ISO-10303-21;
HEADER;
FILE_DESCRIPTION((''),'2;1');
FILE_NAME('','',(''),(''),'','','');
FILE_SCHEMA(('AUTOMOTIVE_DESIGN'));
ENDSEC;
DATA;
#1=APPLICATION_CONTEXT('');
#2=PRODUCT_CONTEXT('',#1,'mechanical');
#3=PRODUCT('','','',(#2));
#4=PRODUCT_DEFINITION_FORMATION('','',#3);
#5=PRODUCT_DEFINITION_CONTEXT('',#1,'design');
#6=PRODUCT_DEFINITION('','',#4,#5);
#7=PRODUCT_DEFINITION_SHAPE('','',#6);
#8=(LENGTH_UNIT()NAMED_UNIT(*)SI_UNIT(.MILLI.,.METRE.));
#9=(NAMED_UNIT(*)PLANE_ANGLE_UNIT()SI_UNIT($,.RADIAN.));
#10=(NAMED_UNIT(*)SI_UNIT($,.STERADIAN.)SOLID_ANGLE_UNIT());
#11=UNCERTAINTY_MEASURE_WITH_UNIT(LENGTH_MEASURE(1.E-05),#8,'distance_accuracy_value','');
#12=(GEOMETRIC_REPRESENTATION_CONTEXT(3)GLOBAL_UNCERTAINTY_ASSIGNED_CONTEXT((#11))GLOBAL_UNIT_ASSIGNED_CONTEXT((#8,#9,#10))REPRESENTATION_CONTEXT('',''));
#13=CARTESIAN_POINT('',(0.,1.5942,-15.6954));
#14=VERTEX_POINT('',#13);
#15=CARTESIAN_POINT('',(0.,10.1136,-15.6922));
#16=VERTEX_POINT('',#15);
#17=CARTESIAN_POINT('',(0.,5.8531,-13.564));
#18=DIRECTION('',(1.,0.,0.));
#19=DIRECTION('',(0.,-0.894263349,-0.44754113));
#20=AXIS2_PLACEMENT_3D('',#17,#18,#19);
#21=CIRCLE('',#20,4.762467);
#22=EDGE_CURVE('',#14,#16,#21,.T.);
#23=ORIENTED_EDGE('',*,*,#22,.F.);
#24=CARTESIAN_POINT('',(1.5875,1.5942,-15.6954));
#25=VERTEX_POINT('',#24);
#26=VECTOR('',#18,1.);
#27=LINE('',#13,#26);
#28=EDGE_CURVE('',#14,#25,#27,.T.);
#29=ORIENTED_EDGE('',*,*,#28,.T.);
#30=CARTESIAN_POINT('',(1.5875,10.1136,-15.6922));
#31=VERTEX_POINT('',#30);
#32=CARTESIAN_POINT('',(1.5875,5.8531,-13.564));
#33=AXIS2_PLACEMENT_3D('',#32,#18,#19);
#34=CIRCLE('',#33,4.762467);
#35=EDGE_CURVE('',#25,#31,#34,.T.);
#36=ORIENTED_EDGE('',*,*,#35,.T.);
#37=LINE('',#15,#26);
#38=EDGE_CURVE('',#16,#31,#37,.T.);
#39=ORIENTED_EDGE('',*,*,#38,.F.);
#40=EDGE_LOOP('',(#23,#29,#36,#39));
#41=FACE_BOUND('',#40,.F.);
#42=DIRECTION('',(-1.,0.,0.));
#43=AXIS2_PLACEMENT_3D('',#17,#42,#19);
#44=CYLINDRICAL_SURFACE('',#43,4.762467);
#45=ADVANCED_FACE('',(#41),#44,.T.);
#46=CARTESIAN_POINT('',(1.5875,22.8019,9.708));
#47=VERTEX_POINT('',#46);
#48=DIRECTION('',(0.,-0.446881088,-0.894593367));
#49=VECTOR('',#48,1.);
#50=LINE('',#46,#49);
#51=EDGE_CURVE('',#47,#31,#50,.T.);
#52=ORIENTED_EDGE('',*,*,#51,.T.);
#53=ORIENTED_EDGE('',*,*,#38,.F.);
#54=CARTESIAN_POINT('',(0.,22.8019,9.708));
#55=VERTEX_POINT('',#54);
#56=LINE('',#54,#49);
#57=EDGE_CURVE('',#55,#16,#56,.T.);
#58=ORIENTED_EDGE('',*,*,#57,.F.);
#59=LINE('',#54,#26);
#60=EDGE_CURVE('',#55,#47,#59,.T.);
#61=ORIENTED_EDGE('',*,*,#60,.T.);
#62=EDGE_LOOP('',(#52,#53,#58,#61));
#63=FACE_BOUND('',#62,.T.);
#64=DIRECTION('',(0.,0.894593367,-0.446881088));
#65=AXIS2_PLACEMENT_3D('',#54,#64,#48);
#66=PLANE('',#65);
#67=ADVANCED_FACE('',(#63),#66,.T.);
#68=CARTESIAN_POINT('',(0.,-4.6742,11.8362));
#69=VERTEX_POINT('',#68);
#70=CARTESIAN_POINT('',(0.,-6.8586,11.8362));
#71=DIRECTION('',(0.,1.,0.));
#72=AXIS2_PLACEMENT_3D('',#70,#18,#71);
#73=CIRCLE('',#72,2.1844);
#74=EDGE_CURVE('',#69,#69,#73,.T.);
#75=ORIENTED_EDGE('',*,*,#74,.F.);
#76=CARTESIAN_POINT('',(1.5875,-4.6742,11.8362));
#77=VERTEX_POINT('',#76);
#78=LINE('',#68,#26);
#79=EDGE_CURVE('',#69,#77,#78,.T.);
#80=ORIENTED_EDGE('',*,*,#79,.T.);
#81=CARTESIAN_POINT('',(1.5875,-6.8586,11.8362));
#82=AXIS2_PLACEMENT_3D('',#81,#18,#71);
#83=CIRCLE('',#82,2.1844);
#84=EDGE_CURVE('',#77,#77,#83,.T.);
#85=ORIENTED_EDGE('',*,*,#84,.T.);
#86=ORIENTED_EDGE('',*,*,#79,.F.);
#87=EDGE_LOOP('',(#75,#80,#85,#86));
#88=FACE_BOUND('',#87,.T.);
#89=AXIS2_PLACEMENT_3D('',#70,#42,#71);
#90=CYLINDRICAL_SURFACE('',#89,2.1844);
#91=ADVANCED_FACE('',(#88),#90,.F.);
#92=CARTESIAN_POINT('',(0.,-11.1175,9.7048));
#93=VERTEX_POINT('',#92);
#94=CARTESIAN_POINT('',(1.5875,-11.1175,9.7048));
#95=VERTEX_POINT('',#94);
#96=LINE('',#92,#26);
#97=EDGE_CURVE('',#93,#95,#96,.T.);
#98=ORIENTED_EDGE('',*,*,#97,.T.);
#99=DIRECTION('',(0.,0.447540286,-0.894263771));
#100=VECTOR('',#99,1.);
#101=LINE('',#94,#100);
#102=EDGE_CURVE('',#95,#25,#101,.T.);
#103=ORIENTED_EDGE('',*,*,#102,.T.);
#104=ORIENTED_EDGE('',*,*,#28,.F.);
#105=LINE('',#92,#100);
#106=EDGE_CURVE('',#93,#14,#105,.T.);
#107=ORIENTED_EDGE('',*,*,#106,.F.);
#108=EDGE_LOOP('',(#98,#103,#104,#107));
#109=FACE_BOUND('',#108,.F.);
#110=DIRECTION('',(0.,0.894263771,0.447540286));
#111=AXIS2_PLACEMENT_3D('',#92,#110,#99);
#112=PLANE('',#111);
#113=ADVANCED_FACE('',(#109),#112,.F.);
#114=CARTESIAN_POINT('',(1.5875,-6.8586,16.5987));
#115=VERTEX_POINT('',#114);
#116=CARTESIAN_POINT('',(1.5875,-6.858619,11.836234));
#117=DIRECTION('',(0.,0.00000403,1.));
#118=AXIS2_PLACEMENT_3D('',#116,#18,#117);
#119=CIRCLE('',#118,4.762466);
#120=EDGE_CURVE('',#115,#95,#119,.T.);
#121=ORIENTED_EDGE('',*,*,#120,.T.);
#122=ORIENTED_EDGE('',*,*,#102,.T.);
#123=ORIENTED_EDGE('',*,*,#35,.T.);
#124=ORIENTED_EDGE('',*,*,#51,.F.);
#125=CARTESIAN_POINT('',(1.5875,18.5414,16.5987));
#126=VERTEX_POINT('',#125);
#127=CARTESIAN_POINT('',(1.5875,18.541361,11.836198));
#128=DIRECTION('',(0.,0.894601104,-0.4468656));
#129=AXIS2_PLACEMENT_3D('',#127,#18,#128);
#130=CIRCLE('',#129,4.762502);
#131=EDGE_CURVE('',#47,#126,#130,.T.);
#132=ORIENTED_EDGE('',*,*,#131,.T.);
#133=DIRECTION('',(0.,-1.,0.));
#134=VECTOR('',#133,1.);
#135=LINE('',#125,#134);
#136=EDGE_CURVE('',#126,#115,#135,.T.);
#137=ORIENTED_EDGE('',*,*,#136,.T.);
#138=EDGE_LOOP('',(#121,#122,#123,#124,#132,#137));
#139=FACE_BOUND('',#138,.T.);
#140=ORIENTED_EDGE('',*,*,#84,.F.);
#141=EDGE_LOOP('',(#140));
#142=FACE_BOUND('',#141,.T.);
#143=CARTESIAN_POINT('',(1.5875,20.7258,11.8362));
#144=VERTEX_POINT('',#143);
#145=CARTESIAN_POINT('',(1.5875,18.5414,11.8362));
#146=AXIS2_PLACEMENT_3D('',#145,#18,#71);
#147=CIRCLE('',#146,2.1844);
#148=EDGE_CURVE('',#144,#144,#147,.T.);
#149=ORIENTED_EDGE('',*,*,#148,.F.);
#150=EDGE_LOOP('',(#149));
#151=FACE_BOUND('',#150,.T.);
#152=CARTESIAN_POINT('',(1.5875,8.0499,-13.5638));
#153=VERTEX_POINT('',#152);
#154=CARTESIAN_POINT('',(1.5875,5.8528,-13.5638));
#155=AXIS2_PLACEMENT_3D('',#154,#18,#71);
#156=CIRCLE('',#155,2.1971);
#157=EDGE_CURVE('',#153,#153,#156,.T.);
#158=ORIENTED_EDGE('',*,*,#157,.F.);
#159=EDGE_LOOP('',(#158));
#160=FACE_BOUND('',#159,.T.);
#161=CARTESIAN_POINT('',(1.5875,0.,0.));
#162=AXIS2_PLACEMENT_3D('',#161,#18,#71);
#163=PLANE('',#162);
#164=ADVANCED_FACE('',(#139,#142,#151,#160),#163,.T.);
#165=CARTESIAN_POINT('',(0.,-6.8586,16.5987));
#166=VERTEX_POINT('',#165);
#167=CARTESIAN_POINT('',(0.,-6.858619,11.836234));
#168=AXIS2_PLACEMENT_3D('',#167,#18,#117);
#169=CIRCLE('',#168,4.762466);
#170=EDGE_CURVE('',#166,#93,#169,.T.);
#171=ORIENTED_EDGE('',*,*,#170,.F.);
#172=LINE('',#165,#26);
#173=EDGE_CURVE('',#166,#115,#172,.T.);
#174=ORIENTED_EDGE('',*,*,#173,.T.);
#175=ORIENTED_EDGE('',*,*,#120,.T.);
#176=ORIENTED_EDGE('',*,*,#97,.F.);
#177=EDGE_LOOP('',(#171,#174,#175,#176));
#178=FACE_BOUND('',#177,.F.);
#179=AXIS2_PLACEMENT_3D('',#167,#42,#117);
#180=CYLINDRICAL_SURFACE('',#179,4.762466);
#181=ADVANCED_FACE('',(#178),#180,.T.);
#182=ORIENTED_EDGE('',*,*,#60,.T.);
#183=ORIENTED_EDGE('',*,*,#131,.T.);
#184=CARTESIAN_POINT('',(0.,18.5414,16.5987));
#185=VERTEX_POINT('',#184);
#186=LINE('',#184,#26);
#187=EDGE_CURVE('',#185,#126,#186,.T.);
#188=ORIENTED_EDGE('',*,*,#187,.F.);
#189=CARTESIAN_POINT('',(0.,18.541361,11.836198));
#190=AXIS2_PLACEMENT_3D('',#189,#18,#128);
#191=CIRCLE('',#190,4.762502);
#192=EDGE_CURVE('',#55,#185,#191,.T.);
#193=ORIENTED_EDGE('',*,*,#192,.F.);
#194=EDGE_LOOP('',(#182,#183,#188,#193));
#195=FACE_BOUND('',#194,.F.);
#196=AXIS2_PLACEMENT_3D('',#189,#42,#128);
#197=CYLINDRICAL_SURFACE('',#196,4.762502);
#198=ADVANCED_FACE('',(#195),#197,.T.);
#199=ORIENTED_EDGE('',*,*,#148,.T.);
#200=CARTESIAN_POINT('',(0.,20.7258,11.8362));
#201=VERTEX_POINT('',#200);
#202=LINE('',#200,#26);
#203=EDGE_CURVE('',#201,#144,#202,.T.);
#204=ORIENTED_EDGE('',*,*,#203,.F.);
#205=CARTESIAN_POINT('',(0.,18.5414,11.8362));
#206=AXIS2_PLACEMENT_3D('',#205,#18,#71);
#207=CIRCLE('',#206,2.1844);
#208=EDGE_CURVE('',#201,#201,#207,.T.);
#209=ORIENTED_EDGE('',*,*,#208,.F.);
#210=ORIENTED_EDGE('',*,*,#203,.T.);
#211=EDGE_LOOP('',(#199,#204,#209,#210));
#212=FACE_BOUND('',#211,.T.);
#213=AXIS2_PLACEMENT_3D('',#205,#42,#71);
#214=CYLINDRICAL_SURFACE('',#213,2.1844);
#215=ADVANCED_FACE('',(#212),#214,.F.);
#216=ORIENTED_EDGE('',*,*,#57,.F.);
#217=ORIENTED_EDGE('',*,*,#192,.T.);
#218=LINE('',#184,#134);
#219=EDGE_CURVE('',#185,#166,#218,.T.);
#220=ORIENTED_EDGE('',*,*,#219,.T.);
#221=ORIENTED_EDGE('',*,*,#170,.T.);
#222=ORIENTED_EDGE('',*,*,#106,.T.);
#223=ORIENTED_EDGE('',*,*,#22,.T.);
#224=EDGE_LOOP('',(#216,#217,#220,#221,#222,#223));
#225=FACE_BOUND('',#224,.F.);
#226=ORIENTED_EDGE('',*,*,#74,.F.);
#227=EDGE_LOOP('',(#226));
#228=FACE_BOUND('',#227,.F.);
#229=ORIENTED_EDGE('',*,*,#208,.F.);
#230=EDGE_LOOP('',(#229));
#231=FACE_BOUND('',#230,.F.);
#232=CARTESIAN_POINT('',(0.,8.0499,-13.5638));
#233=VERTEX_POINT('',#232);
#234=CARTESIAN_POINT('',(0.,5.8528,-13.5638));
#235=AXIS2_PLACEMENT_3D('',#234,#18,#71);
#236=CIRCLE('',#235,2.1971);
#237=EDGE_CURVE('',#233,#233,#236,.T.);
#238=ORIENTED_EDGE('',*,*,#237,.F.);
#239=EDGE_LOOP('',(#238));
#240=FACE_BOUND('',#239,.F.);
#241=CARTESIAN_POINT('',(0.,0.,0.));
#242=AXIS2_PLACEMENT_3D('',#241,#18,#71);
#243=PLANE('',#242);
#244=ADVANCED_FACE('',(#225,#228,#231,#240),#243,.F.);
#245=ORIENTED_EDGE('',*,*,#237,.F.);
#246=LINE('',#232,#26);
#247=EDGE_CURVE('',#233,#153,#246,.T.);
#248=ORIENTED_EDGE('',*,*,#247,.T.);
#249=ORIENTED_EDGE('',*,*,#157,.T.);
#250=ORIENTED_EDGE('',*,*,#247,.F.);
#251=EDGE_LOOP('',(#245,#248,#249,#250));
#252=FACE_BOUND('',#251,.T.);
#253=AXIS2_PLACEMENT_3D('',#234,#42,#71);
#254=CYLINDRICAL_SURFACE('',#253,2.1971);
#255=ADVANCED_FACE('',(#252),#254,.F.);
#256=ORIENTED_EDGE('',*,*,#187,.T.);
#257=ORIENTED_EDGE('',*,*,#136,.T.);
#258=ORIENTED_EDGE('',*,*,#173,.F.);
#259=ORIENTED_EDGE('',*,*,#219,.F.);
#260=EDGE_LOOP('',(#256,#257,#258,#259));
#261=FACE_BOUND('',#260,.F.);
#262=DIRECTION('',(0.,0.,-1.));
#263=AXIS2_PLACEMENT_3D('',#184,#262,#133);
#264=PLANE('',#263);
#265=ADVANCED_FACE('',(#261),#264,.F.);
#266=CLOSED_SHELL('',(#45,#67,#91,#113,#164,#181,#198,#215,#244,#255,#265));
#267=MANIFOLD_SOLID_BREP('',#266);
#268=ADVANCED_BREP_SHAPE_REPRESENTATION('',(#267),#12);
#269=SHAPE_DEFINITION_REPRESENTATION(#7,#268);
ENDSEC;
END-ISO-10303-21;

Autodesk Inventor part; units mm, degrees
ref_plane "YZ Plane" through (0, 0, 0) normal (1, 0, 0) x (0, 1, 0)
ref_plane "XZ Plane" through (0, 0, 0) normal (0, 1, 0) x (-1, 0, 0)
ref_plane "XY Plane" through (0, 0, 0) normal (0, 0, 1) x (1, 0, 0)
sketch "Sketch1" plane through (0, 0, 0) normal (1, 0, 0) x (0, 1, 0)
  circle A0 centre (18.5414, 11.8362) radius 2.1844
  circle A1 centre (-6.8586, 11.8362) radius 2.1844
  arc A2 (22.8019, 9.708) -> (18.5414, 16.5987) centre (18.5414, 11.8362) ccw
  arc A3 (-6.8586, 16.5987) -> (-11.1175, 9.7048) centre (-6.8586, 11.8362) ccw
  arc A4 (1.5942, -15.6954) -> (10.1136, -15.6922) centre (5.8531, -13.564) ccw
  circle A5 centre (5.8528, -13.5638) radius 2.1971
  line L0 (18.5414, 16.5987) -> (-6.8586, 16.5987)
  line L1 (22.8019, 9.708) -> (10.1136, -15.6922)
  line L2 (-11.1175, 9.7048) -> (1.5942, -15.6954)
  point P0 (0, 0)
  dimension "d0" = 9.525
  dimension "d1" = 9.525
  dimension "d2" = 9.525
extrude "Extrusion1" add sketch "Sketch1" along normal blind 1.5875
properties part number "Angle Brace Gusset Bottom" material "Acetal Resin, White"
